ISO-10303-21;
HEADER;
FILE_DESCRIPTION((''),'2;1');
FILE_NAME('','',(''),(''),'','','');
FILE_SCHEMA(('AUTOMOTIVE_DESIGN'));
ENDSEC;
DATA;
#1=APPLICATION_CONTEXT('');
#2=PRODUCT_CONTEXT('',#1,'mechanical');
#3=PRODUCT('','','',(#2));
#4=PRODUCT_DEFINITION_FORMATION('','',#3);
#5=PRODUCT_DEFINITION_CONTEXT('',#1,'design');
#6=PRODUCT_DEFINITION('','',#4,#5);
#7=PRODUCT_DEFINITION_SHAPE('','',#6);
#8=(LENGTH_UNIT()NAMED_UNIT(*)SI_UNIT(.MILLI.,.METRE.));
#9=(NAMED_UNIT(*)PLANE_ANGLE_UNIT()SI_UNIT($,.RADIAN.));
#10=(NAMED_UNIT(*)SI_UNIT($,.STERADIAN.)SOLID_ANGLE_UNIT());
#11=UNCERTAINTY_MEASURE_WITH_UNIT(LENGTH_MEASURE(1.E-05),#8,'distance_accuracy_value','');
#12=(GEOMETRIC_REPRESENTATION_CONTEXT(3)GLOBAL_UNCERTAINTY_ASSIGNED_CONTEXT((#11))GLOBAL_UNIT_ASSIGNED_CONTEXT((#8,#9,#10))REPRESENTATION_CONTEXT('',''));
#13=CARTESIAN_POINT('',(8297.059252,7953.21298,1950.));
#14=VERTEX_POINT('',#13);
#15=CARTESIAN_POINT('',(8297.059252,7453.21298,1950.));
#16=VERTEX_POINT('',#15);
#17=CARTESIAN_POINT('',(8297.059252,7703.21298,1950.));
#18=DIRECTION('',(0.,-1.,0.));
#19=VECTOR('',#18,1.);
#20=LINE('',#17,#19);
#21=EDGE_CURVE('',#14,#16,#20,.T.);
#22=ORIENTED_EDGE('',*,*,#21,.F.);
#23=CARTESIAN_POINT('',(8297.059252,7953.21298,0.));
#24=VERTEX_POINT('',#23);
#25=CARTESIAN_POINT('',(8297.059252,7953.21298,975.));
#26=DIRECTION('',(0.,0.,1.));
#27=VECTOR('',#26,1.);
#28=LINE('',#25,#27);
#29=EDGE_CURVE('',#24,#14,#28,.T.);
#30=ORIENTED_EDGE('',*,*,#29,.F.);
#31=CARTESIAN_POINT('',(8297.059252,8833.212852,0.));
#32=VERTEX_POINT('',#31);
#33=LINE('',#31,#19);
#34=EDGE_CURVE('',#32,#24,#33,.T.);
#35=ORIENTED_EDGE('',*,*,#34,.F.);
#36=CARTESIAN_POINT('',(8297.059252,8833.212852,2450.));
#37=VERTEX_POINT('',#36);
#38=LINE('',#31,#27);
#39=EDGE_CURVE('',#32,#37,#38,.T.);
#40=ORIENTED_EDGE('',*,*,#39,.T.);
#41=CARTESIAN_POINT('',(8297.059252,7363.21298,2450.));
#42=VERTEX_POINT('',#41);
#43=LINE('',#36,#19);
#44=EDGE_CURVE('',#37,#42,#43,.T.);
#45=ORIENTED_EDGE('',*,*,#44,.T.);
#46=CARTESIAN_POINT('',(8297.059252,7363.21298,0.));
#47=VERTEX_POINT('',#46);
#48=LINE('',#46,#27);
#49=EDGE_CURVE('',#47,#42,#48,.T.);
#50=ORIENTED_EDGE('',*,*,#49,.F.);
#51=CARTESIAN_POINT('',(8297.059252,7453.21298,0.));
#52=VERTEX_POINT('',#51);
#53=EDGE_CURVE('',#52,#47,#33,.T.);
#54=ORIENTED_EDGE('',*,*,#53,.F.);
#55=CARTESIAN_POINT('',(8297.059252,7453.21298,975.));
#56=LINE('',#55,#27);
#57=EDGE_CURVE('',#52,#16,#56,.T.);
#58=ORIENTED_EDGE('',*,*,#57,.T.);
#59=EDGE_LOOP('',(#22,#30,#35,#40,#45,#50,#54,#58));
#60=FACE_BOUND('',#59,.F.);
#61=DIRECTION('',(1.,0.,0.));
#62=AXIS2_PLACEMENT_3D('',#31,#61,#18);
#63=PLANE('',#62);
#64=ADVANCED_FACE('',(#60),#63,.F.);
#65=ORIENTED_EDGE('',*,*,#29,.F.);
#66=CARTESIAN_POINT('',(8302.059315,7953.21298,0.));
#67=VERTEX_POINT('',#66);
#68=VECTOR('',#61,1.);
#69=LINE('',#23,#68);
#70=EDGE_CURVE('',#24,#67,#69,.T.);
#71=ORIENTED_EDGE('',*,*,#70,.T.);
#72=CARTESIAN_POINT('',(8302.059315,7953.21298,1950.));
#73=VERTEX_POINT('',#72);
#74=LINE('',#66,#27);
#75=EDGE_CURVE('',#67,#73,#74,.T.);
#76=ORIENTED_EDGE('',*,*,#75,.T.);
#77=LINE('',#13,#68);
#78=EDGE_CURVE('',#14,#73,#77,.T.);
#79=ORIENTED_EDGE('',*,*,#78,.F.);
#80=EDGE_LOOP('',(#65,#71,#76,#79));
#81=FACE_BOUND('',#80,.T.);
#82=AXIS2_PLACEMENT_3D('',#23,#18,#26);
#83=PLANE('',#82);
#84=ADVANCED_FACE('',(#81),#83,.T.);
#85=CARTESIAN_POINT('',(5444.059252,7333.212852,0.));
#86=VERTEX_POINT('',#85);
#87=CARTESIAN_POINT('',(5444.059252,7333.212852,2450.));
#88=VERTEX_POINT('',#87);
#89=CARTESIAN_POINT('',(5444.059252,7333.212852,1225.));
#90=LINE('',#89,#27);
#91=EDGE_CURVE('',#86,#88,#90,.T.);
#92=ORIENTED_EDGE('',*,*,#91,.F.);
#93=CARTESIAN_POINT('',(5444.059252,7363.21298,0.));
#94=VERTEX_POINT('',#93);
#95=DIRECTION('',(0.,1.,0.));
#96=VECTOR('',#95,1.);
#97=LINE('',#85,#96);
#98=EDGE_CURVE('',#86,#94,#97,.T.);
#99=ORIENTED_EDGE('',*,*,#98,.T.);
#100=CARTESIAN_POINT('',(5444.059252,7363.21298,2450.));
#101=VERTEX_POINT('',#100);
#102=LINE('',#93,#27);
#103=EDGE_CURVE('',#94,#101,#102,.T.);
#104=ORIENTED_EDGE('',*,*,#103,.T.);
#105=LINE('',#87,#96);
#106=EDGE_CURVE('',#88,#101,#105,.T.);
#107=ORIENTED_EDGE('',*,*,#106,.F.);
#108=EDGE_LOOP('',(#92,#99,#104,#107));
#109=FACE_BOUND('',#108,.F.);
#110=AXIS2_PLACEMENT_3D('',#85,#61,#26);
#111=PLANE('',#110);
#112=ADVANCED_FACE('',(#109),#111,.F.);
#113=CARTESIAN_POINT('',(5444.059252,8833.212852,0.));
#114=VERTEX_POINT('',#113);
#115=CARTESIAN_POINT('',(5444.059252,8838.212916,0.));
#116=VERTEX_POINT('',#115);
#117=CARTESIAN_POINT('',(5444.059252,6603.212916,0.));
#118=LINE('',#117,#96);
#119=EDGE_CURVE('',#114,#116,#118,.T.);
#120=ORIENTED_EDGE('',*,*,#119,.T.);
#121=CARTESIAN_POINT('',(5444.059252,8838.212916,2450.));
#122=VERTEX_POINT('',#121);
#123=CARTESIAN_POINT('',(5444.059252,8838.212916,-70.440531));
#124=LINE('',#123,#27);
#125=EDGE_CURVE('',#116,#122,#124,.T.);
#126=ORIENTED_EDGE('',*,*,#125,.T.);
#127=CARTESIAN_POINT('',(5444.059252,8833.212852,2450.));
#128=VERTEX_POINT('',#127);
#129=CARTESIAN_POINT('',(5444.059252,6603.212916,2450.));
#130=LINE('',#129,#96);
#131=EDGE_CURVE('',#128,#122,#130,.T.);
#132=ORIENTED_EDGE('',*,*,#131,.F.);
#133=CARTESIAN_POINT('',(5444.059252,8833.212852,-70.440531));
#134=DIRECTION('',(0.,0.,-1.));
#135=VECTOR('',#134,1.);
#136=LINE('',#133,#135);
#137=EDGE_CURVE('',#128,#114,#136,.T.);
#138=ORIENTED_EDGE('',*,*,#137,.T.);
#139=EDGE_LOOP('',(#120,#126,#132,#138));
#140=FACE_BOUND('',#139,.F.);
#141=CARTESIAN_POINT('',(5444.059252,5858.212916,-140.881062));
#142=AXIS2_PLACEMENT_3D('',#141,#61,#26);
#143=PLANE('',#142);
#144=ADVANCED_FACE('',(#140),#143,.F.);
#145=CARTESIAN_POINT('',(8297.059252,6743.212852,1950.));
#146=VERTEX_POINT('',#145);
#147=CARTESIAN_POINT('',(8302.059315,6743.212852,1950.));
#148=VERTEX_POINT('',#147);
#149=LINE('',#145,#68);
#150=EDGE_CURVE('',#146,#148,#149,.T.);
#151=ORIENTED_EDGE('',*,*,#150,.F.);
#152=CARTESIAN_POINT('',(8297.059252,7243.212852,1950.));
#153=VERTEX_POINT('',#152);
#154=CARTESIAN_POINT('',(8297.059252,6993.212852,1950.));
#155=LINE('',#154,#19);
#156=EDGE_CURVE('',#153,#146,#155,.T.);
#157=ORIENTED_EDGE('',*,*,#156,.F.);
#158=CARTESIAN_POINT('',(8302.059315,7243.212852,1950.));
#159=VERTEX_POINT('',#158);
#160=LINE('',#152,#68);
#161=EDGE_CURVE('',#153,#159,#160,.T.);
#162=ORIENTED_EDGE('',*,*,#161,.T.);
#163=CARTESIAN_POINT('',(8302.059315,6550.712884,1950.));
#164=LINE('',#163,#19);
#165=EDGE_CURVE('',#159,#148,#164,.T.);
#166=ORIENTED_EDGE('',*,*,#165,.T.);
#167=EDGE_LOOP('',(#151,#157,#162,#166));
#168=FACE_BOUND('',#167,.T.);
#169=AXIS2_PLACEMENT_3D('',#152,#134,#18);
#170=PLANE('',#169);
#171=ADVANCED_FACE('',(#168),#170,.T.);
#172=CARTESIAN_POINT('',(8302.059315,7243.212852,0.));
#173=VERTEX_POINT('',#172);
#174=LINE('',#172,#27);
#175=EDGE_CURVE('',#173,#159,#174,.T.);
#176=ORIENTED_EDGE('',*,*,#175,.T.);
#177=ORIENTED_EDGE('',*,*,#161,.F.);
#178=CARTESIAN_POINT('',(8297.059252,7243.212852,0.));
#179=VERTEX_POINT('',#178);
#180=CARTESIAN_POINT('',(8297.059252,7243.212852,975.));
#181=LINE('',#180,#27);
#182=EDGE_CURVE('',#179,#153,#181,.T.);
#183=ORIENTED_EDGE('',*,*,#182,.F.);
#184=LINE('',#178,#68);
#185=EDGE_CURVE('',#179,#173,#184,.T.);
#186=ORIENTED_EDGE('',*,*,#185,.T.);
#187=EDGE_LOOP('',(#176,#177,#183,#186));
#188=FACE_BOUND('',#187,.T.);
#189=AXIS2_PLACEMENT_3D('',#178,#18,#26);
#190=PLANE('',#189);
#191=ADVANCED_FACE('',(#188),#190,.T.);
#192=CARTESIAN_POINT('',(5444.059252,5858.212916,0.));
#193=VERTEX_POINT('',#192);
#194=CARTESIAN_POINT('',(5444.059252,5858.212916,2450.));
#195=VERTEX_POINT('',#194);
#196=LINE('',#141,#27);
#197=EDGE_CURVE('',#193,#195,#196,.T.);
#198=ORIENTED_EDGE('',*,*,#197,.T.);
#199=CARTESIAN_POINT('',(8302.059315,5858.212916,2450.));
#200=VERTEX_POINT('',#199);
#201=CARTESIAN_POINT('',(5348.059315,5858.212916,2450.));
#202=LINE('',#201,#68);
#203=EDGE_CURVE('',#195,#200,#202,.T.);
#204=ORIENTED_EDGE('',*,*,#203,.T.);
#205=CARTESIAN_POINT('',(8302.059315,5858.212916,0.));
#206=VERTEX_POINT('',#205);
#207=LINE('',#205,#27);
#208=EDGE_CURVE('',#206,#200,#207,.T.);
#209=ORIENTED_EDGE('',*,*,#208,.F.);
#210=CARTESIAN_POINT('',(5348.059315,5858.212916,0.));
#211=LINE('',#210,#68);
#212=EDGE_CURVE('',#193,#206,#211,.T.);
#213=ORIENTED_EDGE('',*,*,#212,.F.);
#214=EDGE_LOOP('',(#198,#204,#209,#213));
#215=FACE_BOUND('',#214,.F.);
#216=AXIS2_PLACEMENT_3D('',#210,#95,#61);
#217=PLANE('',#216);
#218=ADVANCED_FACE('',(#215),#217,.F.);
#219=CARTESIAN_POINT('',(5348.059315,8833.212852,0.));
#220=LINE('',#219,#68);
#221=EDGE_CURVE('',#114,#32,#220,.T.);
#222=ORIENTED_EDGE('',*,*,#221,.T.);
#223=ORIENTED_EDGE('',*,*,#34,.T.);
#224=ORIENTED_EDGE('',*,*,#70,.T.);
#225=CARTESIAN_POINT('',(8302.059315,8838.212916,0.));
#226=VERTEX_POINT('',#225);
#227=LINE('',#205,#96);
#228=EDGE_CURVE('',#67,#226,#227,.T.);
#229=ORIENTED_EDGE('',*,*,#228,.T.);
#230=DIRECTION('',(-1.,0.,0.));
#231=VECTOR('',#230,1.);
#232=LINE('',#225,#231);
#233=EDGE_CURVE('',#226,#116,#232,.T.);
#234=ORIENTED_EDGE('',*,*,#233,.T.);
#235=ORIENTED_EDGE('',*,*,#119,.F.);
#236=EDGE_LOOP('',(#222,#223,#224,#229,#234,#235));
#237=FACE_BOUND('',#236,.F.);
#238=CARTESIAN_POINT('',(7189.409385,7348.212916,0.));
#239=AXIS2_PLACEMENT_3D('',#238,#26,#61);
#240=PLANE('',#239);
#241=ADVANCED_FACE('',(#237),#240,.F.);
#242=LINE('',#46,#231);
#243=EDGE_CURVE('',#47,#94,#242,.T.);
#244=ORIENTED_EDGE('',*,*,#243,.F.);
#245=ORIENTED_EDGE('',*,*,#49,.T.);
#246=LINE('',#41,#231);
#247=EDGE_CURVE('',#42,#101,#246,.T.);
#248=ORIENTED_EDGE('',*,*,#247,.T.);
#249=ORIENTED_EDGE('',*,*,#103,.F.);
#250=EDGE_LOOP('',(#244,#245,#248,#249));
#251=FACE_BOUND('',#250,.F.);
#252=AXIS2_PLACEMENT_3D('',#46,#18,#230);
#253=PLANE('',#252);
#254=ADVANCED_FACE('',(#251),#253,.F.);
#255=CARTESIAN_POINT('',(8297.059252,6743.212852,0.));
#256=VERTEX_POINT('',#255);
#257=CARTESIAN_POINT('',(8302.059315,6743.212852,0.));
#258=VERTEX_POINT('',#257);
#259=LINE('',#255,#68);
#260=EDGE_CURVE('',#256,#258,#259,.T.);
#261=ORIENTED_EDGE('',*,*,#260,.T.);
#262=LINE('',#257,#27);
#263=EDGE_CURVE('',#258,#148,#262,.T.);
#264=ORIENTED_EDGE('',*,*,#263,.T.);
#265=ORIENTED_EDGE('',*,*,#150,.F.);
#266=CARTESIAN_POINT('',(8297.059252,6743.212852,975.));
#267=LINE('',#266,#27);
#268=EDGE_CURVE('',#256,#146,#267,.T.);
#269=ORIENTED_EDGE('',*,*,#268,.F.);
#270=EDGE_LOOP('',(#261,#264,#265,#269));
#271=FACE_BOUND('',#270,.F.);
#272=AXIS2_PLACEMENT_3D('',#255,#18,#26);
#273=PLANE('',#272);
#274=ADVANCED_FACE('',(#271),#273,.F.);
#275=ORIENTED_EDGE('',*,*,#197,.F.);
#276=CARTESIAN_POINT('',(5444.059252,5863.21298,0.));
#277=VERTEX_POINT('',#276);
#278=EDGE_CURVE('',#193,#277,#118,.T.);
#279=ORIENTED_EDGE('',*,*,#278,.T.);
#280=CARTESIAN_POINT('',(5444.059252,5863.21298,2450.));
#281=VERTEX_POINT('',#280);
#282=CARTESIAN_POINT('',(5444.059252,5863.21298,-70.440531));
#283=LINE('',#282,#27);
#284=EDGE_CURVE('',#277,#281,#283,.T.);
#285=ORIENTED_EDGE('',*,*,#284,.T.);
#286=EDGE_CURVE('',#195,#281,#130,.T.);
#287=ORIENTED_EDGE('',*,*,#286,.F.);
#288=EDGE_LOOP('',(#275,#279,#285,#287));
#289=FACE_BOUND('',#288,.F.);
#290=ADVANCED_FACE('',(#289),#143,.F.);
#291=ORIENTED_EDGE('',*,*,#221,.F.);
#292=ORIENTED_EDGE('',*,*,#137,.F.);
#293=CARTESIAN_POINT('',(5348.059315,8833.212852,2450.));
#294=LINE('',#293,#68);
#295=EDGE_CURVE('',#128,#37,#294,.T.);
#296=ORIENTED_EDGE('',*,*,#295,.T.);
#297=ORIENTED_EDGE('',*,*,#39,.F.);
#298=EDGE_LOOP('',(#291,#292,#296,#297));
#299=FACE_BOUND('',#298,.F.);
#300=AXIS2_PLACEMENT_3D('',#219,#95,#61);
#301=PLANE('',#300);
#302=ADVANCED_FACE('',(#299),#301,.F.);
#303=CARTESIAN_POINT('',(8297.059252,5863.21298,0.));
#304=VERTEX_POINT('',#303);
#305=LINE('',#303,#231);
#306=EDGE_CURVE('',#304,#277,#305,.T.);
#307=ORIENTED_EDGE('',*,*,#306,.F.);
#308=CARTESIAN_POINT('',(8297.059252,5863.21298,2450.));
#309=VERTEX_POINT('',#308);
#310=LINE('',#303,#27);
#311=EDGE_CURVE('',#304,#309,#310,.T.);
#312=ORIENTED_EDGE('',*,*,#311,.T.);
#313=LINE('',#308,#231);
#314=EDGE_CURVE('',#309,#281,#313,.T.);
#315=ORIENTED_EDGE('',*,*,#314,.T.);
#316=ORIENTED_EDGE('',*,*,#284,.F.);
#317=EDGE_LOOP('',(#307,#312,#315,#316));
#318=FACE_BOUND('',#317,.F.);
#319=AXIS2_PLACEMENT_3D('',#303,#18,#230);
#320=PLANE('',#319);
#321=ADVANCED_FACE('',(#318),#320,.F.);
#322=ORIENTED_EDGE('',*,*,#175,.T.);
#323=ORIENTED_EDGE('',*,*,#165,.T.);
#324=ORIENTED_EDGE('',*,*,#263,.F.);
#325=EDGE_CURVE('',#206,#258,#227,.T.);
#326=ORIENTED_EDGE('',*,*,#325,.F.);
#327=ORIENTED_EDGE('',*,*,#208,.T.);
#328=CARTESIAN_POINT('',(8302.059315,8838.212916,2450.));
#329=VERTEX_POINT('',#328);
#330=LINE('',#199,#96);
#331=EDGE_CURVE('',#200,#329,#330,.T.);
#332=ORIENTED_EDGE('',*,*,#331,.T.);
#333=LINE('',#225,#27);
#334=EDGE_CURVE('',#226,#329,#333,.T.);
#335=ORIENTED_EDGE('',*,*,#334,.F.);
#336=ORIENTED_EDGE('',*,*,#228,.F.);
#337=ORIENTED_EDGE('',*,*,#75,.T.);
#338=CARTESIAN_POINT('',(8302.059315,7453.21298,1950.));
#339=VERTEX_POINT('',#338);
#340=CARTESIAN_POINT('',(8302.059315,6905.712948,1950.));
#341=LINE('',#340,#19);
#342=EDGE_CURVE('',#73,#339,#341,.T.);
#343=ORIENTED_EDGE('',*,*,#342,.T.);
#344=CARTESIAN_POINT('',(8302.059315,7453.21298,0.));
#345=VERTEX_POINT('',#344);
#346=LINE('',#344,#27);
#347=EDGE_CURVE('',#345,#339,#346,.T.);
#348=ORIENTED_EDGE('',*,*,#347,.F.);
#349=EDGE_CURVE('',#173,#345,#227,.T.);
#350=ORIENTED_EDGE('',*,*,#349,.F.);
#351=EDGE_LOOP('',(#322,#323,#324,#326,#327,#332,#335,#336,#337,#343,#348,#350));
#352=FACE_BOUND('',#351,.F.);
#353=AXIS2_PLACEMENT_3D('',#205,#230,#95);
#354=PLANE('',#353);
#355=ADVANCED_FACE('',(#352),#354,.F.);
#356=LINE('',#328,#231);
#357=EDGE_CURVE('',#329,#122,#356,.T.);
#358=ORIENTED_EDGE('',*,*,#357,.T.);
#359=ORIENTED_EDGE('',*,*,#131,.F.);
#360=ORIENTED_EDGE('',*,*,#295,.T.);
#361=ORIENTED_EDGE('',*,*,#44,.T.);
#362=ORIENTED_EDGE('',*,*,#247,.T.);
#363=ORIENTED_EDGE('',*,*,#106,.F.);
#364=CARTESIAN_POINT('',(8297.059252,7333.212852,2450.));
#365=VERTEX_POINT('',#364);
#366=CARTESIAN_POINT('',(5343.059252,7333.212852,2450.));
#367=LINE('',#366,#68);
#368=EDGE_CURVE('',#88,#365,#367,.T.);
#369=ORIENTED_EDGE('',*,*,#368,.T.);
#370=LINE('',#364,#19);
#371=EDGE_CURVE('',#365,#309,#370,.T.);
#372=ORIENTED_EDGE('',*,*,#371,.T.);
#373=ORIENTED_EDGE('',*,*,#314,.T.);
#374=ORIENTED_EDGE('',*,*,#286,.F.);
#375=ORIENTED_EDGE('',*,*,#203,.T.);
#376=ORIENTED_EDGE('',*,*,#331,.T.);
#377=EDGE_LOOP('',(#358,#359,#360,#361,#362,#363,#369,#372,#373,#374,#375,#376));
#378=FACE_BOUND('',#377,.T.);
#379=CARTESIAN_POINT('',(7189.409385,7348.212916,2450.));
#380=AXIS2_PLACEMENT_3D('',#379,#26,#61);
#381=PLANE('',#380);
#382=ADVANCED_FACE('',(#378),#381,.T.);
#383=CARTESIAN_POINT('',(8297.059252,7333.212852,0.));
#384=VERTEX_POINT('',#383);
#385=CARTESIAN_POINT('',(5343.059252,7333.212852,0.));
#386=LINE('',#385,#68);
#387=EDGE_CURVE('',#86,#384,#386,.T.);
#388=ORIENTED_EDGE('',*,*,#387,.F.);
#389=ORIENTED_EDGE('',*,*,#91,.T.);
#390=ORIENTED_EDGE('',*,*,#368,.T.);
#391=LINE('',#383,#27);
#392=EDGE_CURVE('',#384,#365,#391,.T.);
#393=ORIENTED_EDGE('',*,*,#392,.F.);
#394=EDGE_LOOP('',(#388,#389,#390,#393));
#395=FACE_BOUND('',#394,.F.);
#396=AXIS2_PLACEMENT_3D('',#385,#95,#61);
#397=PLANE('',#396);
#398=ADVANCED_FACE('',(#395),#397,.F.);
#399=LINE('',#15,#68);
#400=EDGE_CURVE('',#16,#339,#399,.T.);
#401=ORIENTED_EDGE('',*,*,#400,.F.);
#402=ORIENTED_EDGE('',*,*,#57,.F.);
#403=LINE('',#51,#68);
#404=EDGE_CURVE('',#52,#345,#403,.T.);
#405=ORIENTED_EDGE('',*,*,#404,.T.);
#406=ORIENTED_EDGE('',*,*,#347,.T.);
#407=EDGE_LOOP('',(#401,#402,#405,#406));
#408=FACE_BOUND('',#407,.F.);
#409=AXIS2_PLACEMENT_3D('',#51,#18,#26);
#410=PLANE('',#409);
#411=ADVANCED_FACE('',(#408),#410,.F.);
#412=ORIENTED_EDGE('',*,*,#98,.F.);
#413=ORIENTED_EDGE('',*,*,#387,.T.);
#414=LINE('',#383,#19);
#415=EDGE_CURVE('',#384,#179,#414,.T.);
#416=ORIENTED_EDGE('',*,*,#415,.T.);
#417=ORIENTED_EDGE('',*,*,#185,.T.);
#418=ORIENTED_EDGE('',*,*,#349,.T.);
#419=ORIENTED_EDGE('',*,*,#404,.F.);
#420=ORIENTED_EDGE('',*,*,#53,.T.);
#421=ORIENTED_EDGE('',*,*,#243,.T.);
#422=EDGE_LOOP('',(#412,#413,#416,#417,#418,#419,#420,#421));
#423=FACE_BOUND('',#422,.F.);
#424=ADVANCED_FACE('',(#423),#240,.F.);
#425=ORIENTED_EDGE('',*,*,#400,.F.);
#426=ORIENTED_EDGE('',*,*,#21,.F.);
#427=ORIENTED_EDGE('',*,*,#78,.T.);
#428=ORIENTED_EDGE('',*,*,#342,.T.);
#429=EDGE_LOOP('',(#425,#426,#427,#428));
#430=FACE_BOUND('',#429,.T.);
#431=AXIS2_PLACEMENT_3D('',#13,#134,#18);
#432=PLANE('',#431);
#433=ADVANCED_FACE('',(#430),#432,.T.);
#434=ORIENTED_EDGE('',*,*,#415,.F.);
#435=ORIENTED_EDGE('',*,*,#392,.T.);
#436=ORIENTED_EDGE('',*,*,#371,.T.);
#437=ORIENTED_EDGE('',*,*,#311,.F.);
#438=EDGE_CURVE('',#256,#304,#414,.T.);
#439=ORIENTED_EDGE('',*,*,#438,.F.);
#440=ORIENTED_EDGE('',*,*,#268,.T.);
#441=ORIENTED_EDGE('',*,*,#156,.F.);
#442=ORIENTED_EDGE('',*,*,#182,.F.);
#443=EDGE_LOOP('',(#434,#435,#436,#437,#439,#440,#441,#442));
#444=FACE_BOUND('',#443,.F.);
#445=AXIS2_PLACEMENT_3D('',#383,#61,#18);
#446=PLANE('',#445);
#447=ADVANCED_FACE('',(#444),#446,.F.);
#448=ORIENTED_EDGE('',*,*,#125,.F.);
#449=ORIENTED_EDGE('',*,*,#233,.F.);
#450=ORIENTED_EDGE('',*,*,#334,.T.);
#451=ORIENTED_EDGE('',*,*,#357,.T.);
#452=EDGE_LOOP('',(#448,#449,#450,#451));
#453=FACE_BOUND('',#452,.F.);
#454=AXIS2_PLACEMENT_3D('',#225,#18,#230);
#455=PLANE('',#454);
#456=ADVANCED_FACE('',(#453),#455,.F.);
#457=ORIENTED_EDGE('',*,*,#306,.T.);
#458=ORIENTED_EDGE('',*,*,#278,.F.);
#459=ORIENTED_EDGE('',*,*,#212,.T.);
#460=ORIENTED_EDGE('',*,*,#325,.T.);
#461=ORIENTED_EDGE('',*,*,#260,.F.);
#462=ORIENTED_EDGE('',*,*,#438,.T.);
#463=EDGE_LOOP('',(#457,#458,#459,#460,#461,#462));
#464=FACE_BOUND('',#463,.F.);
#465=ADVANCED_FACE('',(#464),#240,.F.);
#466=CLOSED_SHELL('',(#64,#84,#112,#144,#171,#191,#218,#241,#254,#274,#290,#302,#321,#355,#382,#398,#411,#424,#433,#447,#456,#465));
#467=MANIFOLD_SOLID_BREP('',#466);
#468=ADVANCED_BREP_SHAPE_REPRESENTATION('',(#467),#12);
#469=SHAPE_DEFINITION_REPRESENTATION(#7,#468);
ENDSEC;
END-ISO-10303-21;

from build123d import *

# Parameters (mm, degrees)
F1_DEPTH = 2450
F2_W     = 500
F2_H     = 1950
F3_DEPTH = 300
F4_W     = 101
F4_H     = 2450
F5_DEPTH = 460
F7_DEPTH = 4630


with BuildPart() as f1:
    # F0 (on Top) → F1 (new body)
    with BuildSketch(Plane.XY):
        Polygon((5348.059315, 5858.212916), (8302.059315, 5858.212916), (8302.059315, 7338.212916), (8302.059315, 7358.212916), (8302.059315, 8838.212916), (5348.059315, 8838.212916), (5348.059315, 8833.212852), (8297.059252, 8833.212852), (8297.059252, 7363.21298), (5343.059252, 7363.21298), (5343.059252, 7333.212852), (8297.059252, 7333.212852), (8297.059252, 5863.21298), (5348.059315, 5863.21298), align=None)
    extrude(amount=F1_DEPTH)

    # F2 (on face) → F3 (cut)
    with BuildSketch(Plane(origin=(8297.059252, 0, 0), x_dir=(0, -1, 0), z_dir=(-1, 0, 0))):
        with Locations((-7703.21298, 975)):
            Rectangle(F2_W, F2_H)
        with Locations((-6993.212852, 975)):
            Rectangle(F2_W, F2_H)
    extrude(amount=-F3_DEPTH, mode=Mode.SUBTRACT)

    # F4 (on face) → F5 (cut)
    with BuildSketch(Plane.XZ.offset(-7333.212852)):
        with Locations((5393.559252, 1225)):
            Rectangle(F4_W, F4_H)
    extrude(amount=-F5_DEPTH, mode=Mode.SUBTRACT)

    # F6 (on face) → F7 (cut)
    with BuildSketch(Plane.XZ.offset(-5858.212916)):
        Polygon((5444.059252, 0), (5444.059252, 2450), (5444.059252, 2649.641752), (5038.322449, 2649.641752), (5038.322449, -210.067511), (5444.059252, -140.881062), align=None)
    extrude(amount=-F7_DEPTH, mode=Mode.SUBTRACT)


solid = f1.part
